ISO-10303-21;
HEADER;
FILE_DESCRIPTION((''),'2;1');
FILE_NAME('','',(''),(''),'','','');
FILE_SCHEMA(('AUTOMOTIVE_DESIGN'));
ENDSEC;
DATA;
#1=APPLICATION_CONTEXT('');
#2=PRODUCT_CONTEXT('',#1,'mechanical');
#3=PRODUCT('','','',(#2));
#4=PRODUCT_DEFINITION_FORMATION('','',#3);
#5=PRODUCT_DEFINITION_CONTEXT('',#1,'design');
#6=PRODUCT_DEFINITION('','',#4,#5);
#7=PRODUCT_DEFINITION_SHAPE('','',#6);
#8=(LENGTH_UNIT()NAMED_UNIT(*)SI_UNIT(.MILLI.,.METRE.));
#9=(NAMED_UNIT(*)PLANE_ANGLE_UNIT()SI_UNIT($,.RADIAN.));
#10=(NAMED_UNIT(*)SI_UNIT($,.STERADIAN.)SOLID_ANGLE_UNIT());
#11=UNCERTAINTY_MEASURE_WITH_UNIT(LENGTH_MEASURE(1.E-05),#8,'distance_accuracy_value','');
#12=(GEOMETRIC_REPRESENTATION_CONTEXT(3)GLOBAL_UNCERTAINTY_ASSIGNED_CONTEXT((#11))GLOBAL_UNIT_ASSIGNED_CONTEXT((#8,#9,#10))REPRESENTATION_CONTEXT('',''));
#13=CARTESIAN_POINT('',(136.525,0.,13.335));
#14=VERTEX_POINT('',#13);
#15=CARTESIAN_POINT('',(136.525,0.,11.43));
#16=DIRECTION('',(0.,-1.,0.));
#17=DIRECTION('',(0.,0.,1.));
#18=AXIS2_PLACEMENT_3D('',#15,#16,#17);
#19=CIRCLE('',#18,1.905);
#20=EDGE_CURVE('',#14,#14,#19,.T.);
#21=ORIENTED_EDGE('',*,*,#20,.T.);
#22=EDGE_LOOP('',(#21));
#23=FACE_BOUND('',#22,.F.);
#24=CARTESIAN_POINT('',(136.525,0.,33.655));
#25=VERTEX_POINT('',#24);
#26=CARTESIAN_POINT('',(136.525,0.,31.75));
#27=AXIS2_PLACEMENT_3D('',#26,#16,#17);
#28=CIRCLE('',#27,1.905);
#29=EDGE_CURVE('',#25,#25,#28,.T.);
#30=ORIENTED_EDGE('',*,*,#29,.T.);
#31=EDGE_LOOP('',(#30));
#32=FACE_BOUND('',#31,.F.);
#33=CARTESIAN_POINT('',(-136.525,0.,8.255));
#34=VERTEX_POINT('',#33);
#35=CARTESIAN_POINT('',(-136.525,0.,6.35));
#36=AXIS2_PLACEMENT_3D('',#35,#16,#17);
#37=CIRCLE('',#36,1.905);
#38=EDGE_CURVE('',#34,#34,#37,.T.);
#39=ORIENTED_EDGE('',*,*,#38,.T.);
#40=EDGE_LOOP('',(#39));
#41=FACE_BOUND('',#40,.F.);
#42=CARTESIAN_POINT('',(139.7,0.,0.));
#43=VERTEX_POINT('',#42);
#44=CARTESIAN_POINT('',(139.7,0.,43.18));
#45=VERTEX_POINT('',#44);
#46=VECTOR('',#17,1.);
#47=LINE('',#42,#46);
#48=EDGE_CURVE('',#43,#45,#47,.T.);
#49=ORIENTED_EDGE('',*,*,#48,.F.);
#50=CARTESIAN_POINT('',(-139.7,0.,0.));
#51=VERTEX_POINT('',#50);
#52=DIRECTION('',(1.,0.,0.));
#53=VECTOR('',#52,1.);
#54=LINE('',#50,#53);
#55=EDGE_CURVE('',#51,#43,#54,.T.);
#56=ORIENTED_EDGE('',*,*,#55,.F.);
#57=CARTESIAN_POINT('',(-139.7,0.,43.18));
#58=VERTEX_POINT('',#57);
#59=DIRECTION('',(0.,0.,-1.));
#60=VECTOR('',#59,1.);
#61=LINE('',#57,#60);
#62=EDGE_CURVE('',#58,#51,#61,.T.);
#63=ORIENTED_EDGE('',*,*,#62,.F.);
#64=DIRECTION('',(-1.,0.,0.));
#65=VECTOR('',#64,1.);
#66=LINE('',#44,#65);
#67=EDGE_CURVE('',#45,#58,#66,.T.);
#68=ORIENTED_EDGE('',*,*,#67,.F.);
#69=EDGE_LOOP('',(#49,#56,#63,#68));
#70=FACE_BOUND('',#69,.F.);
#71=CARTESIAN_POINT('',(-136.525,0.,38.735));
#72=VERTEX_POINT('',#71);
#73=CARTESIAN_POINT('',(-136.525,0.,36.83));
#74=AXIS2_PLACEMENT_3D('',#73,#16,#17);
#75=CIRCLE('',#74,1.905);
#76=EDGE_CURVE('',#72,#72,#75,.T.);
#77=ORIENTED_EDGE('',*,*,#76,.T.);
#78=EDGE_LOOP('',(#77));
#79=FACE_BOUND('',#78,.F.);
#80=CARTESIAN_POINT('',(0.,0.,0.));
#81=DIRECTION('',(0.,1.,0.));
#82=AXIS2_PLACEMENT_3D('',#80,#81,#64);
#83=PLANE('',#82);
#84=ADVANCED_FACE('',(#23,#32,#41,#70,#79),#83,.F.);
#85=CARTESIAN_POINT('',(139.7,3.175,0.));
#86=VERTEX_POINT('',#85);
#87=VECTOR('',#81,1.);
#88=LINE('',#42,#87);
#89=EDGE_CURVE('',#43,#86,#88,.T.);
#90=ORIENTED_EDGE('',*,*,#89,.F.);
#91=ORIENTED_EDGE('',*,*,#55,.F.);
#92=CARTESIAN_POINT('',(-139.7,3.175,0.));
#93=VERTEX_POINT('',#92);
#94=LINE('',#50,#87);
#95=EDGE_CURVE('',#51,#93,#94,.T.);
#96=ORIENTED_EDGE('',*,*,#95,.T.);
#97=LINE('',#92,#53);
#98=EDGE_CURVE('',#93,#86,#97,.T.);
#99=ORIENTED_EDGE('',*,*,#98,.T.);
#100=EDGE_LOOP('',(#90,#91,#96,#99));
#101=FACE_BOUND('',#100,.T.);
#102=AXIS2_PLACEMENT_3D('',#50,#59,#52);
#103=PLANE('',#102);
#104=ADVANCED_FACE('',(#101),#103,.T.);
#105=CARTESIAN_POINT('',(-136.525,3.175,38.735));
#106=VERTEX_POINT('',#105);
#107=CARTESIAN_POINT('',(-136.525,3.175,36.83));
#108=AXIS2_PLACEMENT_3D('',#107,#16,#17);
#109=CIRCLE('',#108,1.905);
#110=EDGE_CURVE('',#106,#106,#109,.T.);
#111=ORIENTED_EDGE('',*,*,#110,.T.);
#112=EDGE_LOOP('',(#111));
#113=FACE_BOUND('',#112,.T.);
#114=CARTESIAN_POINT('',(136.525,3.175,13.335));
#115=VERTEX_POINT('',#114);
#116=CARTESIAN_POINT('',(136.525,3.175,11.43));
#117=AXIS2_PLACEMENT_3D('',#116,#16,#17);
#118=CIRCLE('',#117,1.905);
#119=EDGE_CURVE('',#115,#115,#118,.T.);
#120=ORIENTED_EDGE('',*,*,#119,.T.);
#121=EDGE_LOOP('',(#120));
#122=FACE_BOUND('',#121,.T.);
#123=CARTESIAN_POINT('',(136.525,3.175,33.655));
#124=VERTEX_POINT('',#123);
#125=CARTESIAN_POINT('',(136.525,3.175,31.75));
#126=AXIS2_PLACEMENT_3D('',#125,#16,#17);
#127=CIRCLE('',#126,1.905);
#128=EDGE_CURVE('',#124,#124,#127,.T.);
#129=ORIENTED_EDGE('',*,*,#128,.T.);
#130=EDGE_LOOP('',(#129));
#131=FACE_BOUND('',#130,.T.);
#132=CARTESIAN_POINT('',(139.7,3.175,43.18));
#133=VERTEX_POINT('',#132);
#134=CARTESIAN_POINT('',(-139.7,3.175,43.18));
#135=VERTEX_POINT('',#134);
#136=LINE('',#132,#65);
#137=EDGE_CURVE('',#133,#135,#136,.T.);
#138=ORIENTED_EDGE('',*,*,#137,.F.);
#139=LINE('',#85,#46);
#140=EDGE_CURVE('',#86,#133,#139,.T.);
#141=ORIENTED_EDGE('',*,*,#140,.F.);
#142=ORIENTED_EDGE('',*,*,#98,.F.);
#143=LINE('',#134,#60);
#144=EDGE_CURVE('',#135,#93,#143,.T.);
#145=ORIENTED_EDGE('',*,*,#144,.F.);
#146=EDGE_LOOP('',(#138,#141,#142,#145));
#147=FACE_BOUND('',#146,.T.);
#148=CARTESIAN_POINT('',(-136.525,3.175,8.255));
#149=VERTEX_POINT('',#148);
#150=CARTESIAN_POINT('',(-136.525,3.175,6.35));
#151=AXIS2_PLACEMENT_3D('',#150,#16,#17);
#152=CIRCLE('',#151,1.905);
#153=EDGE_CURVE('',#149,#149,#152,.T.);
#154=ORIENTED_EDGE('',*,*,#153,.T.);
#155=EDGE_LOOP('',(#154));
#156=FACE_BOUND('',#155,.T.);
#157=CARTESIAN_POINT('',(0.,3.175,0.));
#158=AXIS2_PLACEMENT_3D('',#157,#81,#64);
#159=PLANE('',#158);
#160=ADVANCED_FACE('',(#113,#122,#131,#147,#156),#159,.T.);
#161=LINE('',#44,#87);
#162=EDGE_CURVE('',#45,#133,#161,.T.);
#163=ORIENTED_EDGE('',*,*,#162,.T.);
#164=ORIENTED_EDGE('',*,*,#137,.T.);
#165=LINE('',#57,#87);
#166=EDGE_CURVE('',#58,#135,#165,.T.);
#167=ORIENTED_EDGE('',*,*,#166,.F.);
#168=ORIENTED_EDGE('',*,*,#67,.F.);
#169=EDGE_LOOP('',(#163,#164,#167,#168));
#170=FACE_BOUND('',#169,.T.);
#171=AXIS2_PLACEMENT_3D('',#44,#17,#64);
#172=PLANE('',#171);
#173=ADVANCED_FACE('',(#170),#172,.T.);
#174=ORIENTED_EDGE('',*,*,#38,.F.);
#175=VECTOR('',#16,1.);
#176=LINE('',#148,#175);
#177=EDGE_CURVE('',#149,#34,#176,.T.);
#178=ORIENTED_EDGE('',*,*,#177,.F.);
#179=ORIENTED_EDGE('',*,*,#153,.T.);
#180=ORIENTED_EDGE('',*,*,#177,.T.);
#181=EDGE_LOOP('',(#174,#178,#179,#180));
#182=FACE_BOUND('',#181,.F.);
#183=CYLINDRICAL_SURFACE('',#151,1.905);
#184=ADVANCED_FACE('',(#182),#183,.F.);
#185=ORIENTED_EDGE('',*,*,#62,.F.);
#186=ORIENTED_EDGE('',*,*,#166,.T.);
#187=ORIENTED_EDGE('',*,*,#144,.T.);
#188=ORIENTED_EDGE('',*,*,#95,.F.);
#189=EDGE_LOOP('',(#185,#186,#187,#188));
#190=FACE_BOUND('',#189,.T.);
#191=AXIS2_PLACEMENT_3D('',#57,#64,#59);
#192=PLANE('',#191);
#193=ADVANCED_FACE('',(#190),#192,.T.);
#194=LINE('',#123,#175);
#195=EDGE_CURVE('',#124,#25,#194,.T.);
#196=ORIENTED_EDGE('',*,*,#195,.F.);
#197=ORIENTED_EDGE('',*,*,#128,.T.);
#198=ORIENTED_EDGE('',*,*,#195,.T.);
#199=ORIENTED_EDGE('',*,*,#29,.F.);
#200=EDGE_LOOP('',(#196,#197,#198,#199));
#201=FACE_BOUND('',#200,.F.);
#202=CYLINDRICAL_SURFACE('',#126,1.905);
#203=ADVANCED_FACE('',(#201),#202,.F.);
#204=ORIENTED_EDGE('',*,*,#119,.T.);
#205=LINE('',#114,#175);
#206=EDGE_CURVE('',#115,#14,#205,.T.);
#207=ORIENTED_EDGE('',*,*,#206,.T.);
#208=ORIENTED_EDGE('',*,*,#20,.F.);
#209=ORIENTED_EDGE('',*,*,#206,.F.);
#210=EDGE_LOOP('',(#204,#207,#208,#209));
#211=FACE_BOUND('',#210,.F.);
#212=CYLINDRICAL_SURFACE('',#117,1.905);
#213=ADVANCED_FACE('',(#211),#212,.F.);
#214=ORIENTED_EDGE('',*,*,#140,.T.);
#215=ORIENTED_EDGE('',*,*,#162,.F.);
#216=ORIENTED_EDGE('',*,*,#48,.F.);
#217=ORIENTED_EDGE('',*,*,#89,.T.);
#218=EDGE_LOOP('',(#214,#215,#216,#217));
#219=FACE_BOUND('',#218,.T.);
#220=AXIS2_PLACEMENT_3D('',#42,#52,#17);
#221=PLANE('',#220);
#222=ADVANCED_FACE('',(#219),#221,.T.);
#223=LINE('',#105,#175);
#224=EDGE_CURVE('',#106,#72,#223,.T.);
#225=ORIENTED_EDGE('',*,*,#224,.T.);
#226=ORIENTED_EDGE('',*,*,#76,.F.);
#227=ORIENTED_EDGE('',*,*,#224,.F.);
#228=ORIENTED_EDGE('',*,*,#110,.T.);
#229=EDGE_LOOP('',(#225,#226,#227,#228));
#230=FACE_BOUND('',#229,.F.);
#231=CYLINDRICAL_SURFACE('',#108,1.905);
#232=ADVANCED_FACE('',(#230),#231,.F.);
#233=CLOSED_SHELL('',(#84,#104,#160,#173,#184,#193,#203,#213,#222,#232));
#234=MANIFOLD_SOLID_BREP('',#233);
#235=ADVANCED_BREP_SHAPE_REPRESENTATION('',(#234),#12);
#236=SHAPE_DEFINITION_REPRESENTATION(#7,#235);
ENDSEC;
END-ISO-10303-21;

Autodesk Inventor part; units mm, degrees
ref_plane "YZ Plane" through (0, 0, 0) normal (1, 0, 0) x (0, 1, 0)
ref_plane "XZ Plane" through (0, 0, 0) normal (0, 1, 0) x (-1, 0, 0)
ref_plane "XY Plane" through (0, 0, 0) normal (0, 0, 1) x (1, 0, 0)
sketch "Sketch10" plane through (0, 0, 0) normal (0, 1, 0) x (-1, 0, 0)
  line L0 (-139.7, 0) -> (-139.7, 43.18)
  line L1 (-139.7, 43.18) -> (139.7, 43.18)
  line L2 (139.7, 43.18) -> (139.7, 0)
  line L3 (139.7, 0) -> (-139.7, 0)
  point P0 (0, 0)
  point P1 (0, 0)
  dimension "d48" = 279.4
  dimension "d49" = 43.18
  dimension "d51" = 139.7
extrude "Extrusion8" add sketch "Sketch10" along normal blind 3.175
sketch "Sketch11" plane through (0, 3.175, 0) normal (0, 1, 0) x (1, 0, 0)
  line L0 (139.7, -43.18) -> (-139.7, -43.18)
  line L1 (139.7, 0) -> (139.7, -43.18)
  line L2 (139.7, 0) -> (-139.7, 0)
  line L3 (-139.7, 0) -> (-139.7, -43.18)
  line L4 (-139.7, 0) -> (-139.7, -43.18) projected
  line L5 (-139.7, -43.18) -> (139.7, -43.18) projected
  line L6 (139.7, -43.18) -> (139.7, 0) projected
  line L7 (139.7, 0) -> (-139.7, 0) projected
  line L8 (139.7, -43.18) -> (139.7, 0) projected
  point P0 (0, 0)
  point P1 (136.525, -31.75)
  point P2 (136.525, -11.43)
  point P3 (-136.525, -6.35)
  point P4 (-136.525, -36.83)
  dimension "d54" = 11.43
  dimension "d55" = 3.175
  dimension "d56" = 11.43
  dimension "d57" = 3.175
  dimension "d58" = 3.175
  dimension "d59" = 3.175
  dimension "d60" = 6.35
  dimension "d61" = 6.35
hole "Hole2" at (-136.525, 3.175, 36.83) at (-136.525, 3.175, 6.35) at (136.525, 3.175, 11.43) at (136.525, 3.175, 31.75) direction (0, -1, 0) diameter 3.81 end through all clearance for "Flat Head Machine Screw (82)" size "#6" standard "Ansi Unified Screw Threads"
equation "\"d51\" = 0.5 * d48"
properties part number "AR-Bracket(middle)2"
